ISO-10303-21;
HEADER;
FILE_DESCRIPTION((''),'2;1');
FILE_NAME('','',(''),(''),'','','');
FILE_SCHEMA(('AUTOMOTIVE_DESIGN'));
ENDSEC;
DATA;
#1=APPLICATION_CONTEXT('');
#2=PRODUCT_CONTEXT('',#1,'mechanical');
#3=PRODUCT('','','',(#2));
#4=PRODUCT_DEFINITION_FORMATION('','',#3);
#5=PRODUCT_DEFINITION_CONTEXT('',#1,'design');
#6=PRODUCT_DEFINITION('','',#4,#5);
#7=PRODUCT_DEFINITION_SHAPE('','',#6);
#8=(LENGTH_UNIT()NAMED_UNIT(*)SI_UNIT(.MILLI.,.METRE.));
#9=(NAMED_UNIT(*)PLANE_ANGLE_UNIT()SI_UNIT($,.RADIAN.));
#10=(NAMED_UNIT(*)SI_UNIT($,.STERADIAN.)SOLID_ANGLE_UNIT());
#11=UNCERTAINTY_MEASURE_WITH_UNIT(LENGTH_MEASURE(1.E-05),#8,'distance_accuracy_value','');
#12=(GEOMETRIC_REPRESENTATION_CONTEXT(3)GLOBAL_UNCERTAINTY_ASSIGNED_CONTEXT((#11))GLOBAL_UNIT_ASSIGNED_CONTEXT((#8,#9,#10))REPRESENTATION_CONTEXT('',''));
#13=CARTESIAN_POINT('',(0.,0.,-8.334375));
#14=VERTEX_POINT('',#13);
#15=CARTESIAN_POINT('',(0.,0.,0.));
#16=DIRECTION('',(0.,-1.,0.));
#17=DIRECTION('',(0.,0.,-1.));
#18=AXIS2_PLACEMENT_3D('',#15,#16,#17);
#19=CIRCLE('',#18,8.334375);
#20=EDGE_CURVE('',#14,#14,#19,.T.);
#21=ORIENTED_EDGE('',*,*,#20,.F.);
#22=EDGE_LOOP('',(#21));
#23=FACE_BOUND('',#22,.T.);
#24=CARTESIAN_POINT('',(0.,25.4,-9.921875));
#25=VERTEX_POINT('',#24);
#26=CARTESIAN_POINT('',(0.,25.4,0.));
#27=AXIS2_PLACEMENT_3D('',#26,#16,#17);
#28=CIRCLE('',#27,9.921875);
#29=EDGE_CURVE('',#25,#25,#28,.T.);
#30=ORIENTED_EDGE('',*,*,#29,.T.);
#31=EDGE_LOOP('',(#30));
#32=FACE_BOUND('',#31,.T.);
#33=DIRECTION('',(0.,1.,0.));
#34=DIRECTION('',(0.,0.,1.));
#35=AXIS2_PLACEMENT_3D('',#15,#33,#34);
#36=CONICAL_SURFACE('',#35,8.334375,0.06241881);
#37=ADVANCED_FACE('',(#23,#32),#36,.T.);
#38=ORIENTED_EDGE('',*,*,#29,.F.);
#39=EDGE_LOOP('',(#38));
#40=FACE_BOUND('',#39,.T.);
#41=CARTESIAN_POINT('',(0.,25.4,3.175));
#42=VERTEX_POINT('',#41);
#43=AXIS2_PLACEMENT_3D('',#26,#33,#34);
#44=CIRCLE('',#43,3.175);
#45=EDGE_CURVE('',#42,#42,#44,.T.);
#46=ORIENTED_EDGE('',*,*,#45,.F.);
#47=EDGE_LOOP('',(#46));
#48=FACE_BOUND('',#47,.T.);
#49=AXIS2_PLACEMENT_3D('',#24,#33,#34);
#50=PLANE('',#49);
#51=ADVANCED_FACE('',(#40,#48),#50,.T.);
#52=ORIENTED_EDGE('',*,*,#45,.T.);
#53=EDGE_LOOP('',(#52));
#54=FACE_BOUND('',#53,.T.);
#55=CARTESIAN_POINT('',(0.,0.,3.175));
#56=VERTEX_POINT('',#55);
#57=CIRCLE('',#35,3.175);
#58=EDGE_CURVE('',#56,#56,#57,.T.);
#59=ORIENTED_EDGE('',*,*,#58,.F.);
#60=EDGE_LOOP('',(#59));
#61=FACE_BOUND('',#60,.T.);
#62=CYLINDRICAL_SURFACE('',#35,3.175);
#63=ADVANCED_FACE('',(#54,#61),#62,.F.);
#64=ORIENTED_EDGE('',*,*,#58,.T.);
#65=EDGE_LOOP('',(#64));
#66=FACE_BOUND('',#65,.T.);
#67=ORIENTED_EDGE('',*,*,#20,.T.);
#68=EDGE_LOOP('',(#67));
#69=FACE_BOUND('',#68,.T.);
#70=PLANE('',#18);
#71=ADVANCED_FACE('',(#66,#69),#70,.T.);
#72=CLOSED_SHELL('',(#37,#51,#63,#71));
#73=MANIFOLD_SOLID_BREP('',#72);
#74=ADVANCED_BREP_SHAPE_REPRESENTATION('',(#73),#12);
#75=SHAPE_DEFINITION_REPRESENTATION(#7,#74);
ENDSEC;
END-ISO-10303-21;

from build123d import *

# Parameters (mm, degrees)
SKETCH3_R          = 3.175
CUT_EXTRUDE1_DEPTH = 26.4


with BuildPart() as part:
    # Sketch2 → Revolve1 (revolve)
    with BuildSketch(Plane(origin=(0, 0, 0), x_dir=(0, 0, -1), z_dir=(1, 0, 0))):
        Polygon((0, 0), (8.334375, 0), (9.921875, 25.4), (0, 25.4), align=None)
    revolve(axis=Axis((0, 0, 0), (0, 1, 0)))

    # Sketch3 → Cut-Extrude1 (cut, through all)
    with BuildSketch(Plane(origin=(0, 25.4, 0), x_dir=(1, 0, 0), z_dir=(0, 1, 0))):
        Circle(SKETCH3_R)
    extrude(amount=-CUT_EXTRUDE1_DEPTH, mode=Mode.SUBTRACT)


solid = part.part
